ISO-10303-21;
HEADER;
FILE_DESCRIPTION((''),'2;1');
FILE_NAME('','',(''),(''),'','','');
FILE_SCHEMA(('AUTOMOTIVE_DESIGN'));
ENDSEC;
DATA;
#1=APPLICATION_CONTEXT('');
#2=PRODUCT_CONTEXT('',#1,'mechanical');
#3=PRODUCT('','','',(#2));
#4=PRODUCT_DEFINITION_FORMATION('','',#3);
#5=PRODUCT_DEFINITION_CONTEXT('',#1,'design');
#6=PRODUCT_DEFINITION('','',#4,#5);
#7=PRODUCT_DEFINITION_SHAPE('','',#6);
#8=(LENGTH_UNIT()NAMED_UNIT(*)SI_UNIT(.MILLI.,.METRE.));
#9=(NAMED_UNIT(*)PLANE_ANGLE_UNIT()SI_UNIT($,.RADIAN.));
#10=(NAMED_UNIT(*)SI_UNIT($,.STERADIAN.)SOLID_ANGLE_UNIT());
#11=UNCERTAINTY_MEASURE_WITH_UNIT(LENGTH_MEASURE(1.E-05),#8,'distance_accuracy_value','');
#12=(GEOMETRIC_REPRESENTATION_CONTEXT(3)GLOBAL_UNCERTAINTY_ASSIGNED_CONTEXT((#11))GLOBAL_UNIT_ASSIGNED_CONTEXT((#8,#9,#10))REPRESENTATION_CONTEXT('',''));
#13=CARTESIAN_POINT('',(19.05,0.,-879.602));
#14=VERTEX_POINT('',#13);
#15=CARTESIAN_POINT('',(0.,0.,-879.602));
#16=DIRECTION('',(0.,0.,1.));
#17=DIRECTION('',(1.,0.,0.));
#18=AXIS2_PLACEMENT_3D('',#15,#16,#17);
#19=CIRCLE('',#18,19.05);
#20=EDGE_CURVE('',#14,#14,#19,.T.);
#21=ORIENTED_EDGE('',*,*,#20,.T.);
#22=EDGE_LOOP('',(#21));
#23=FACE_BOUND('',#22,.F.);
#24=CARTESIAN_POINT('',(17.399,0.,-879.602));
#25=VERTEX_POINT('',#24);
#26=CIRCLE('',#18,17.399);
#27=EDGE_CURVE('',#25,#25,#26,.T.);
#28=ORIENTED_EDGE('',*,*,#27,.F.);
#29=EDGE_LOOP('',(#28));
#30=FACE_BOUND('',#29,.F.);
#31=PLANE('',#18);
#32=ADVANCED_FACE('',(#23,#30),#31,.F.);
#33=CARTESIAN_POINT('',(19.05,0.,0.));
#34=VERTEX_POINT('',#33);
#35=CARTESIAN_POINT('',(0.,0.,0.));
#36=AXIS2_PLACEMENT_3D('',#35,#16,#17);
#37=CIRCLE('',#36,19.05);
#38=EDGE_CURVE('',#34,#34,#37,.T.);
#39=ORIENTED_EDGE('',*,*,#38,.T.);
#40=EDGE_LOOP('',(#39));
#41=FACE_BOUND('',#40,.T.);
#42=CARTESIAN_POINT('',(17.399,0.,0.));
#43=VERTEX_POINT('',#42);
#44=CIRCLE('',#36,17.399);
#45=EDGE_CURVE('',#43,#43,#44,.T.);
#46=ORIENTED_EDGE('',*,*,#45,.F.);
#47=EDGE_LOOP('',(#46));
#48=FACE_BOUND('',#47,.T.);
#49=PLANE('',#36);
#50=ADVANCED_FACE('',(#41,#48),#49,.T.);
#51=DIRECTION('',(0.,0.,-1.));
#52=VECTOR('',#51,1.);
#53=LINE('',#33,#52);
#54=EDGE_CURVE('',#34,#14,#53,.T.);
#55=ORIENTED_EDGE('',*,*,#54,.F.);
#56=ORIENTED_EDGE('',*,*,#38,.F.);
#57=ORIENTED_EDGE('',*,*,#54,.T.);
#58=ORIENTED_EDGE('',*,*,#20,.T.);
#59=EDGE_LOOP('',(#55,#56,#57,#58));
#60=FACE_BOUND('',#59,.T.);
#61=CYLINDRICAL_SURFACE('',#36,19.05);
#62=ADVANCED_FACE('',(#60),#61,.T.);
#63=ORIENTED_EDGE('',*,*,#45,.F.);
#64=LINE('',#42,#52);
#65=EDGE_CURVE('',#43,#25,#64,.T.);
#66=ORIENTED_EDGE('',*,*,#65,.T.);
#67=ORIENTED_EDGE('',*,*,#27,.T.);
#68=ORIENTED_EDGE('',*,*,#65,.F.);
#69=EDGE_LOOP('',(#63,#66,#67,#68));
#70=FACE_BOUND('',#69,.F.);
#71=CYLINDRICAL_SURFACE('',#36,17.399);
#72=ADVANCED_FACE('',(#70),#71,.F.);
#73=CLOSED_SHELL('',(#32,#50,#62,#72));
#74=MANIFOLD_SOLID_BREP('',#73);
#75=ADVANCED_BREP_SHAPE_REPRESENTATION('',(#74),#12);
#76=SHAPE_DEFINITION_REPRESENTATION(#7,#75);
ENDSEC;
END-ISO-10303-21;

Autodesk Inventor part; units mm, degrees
ref_plane "YZ Plane" through (0, 0, 0) normal (1, 0, 0) x (0, 1, 0)
ref_plane "XZ Plane" through (0, 0, 0) normal (0, 1, 0) x (-1, 0, 0)
ref_plane "XY Plane" through (0, 0, 0) normal (0, 0, 1) x (1, 0, 0)
sketch "Sketch1" plane through (0, 0, 0) normal (0, 0, 1) x (1, 0, 0)
  circle A0 centre (0, 0) radius 17.399
  circle A1 centre (0, 0) radius 19.05
  dimension "d0" = 38.1
  dimension "d2" = 34.798
extrude "Extrusion1" add sketch "Sketch1" against normal blind 879.602
properties part number "GE-13020-03" material "Steel"
